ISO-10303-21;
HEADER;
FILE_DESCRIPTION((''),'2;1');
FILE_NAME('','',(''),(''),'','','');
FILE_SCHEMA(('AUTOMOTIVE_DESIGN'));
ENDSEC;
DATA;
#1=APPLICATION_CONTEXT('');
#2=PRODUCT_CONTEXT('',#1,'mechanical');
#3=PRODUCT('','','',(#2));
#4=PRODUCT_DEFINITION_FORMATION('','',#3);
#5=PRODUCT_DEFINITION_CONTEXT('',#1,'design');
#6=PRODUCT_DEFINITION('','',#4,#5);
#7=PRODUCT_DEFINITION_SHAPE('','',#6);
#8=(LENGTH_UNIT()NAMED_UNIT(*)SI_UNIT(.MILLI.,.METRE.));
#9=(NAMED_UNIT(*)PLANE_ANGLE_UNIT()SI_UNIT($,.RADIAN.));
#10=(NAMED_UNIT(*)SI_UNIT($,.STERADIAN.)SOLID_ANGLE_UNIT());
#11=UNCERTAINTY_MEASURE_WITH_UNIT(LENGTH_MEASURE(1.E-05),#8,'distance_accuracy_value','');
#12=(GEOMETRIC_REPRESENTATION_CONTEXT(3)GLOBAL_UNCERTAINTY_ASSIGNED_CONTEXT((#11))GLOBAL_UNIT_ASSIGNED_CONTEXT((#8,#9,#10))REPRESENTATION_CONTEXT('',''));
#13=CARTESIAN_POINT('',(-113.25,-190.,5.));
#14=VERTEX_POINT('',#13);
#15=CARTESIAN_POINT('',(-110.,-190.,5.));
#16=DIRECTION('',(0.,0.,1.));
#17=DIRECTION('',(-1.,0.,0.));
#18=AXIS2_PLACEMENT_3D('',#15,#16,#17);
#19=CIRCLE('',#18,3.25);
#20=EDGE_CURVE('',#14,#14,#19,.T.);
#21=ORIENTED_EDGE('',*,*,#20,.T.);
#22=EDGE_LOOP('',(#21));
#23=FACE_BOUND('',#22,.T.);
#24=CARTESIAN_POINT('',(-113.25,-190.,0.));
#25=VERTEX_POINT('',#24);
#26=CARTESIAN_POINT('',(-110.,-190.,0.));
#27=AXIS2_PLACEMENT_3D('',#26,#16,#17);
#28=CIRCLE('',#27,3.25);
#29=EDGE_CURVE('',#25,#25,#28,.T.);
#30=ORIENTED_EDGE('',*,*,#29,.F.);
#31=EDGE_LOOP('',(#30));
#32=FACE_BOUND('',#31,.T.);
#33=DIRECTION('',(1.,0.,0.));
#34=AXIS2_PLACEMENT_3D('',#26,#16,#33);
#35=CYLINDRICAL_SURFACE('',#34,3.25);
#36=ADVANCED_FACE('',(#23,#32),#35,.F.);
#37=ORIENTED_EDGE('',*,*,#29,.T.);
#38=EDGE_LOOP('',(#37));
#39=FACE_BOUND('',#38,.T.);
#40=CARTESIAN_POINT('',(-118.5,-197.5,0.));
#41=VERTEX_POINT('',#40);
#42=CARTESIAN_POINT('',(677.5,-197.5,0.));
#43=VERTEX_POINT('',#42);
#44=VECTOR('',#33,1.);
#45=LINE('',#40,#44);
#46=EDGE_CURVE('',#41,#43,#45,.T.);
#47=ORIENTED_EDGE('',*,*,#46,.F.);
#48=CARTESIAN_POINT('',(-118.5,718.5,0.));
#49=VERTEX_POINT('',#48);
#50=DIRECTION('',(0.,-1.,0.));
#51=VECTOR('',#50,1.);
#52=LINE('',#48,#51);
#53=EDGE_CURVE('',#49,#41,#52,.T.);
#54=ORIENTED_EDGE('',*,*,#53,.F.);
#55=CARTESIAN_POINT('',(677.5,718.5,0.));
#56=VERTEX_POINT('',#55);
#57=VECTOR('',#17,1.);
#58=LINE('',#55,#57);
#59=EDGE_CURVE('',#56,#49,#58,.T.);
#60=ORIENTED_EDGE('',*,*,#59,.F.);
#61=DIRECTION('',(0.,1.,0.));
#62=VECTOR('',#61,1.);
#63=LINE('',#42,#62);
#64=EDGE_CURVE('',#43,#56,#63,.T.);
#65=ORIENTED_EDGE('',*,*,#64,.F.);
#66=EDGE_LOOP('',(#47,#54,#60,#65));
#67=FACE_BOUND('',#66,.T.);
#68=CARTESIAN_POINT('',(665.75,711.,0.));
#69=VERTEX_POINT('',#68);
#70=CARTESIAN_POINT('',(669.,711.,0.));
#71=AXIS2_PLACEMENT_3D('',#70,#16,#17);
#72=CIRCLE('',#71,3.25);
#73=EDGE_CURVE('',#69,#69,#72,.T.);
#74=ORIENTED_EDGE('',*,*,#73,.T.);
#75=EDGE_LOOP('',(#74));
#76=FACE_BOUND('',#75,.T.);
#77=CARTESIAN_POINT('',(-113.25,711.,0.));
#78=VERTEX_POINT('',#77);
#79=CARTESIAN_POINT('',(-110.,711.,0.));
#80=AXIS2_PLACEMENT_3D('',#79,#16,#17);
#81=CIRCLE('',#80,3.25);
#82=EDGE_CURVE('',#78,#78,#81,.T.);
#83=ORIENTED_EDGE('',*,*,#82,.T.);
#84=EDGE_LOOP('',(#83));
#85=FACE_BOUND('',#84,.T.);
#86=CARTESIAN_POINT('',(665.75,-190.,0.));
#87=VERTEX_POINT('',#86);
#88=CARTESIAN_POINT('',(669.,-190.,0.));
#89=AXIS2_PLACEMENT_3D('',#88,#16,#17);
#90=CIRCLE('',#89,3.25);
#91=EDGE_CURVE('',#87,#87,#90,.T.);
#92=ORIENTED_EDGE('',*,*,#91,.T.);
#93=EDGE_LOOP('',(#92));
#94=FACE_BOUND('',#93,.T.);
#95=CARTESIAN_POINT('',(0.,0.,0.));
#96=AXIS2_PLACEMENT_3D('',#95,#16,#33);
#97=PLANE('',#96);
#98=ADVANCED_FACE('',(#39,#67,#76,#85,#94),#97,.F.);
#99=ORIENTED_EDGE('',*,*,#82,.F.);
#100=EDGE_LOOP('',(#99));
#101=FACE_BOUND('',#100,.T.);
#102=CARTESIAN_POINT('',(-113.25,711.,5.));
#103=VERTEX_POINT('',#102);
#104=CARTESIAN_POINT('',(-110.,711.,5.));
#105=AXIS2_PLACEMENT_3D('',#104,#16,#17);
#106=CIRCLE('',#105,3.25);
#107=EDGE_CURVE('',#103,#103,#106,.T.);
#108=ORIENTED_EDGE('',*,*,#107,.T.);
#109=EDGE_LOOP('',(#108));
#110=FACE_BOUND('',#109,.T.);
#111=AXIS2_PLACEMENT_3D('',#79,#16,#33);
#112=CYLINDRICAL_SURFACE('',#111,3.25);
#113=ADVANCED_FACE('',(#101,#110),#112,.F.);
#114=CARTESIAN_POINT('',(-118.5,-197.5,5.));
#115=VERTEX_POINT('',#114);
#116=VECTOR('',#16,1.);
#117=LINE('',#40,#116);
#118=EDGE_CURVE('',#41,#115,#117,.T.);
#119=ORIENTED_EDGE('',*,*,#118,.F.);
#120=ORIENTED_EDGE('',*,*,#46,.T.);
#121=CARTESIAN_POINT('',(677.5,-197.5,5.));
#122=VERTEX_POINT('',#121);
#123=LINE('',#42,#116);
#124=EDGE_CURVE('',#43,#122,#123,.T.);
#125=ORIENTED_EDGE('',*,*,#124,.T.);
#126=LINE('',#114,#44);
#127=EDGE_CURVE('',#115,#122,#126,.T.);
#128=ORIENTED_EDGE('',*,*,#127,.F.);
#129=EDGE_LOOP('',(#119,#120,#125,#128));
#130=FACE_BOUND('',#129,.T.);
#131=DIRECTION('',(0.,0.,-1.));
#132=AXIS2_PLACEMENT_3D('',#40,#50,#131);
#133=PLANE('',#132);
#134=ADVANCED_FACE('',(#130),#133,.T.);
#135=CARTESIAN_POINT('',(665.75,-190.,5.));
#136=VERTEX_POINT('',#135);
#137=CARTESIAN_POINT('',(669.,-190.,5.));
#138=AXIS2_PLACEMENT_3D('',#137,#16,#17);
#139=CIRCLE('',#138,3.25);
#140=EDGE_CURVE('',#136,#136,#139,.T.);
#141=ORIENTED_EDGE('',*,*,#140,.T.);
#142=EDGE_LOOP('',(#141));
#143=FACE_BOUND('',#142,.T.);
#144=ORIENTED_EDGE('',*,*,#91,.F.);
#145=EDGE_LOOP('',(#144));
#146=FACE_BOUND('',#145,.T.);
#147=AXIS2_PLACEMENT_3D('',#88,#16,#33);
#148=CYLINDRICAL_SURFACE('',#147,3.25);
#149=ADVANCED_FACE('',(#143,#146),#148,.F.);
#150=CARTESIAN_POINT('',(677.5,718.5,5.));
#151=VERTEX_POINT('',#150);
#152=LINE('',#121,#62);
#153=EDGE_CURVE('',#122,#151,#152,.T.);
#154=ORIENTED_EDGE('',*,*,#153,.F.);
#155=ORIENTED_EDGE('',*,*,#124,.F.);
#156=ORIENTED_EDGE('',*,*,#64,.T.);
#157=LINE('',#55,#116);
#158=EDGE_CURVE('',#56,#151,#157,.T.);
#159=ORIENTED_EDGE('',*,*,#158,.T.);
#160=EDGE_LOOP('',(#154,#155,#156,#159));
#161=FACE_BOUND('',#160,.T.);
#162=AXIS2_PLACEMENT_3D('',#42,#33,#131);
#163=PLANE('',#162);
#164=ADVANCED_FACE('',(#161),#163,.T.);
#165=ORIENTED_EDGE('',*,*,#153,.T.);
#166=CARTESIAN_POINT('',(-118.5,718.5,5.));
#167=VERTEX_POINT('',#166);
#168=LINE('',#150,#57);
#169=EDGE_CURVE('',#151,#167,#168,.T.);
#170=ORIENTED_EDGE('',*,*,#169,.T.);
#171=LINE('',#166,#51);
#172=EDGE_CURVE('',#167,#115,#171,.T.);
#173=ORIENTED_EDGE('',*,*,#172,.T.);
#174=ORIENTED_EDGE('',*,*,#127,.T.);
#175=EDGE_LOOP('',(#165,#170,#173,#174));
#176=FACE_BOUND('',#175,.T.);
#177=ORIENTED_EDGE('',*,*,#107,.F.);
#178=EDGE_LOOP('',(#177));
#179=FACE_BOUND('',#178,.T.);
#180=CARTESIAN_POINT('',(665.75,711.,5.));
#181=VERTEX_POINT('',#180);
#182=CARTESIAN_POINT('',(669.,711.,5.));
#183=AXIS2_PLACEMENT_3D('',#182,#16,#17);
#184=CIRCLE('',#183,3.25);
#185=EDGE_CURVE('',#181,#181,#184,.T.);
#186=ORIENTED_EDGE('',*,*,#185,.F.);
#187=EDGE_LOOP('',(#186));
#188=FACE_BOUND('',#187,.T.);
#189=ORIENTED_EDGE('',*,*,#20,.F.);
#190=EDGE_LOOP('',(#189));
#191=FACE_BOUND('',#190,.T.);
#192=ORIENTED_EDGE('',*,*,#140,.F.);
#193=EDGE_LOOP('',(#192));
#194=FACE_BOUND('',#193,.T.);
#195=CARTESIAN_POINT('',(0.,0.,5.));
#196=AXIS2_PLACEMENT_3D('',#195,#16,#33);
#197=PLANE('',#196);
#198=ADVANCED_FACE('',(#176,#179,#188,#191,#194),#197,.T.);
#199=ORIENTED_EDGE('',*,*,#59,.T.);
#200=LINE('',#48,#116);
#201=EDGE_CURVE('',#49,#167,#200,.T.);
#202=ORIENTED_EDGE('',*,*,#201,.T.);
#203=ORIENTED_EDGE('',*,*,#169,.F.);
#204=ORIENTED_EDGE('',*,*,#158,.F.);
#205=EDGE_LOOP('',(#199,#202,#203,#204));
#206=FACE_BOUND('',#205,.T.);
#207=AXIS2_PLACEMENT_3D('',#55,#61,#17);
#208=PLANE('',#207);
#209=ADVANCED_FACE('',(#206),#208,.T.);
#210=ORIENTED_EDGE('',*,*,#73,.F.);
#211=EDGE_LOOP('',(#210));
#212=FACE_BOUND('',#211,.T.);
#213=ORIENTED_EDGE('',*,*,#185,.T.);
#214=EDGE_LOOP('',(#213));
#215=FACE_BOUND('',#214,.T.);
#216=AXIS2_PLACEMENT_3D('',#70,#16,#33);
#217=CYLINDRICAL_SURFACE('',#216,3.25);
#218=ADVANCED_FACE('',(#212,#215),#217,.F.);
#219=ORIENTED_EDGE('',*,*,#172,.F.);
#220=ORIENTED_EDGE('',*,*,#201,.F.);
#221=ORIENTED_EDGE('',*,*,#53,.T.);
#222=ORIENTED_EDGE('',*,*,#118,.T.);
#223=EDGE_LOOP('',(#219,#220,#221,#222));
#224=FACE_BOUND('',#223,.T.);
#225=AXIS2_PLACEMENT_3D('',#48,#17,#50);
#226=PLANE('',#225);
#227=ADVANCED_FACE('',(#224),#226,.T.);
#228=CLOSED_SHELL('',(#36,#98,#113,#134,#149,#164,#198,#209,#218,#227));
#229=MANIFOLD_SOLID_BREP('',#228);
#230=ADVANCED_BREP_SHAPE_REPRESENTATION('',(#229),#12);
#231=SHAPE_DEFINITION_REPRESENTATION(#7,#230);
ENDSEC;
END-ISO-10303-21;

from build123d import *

# Parameters (mm, degrees)
SCHIZZO1_W                   = 796
SCHIZZO1_H                   = 916
SCHIZZO1_R                   = 3.25
ESTRUSIONE_ESTRUSIONE1_DEPTH = 5


with BuildPart() as part:
    # Schizzo1 → Estrusione-Estrusione1 (new body)
    with BuildSketch(Plane.XY.offset(5)):
        with Locations((279.5, 260.5)):
            Rectangle(SCHIZZO1_W, SCHIZZO1_H)
        with Locations(Location((-110, -190, 0), (0, 0, 180))):
            Circle(SCHIZZO1_R, mode=Mode.SUBTRACT)
        with Locations(Location((-110, 711, 0), (0, 0, 180))):
            Circle(SCHIZZO1_R, mode=Mode.SUBTRACT)
        with Locations(Location((669, 711, 0), (0, 0, 180))):
            Circle(SCHIZZO1_R, mode=Mode.SUBTRACT)
        with Locations(Location((669, -190, 0), (0, 0, 180))):
            Circle(SCHIZZO1_R, mode=Mode.SUBTRACT)
    extrude(amount=-ESTRUSIONE_ESTRUSIONE1_DEPTH)


solid = part.part
